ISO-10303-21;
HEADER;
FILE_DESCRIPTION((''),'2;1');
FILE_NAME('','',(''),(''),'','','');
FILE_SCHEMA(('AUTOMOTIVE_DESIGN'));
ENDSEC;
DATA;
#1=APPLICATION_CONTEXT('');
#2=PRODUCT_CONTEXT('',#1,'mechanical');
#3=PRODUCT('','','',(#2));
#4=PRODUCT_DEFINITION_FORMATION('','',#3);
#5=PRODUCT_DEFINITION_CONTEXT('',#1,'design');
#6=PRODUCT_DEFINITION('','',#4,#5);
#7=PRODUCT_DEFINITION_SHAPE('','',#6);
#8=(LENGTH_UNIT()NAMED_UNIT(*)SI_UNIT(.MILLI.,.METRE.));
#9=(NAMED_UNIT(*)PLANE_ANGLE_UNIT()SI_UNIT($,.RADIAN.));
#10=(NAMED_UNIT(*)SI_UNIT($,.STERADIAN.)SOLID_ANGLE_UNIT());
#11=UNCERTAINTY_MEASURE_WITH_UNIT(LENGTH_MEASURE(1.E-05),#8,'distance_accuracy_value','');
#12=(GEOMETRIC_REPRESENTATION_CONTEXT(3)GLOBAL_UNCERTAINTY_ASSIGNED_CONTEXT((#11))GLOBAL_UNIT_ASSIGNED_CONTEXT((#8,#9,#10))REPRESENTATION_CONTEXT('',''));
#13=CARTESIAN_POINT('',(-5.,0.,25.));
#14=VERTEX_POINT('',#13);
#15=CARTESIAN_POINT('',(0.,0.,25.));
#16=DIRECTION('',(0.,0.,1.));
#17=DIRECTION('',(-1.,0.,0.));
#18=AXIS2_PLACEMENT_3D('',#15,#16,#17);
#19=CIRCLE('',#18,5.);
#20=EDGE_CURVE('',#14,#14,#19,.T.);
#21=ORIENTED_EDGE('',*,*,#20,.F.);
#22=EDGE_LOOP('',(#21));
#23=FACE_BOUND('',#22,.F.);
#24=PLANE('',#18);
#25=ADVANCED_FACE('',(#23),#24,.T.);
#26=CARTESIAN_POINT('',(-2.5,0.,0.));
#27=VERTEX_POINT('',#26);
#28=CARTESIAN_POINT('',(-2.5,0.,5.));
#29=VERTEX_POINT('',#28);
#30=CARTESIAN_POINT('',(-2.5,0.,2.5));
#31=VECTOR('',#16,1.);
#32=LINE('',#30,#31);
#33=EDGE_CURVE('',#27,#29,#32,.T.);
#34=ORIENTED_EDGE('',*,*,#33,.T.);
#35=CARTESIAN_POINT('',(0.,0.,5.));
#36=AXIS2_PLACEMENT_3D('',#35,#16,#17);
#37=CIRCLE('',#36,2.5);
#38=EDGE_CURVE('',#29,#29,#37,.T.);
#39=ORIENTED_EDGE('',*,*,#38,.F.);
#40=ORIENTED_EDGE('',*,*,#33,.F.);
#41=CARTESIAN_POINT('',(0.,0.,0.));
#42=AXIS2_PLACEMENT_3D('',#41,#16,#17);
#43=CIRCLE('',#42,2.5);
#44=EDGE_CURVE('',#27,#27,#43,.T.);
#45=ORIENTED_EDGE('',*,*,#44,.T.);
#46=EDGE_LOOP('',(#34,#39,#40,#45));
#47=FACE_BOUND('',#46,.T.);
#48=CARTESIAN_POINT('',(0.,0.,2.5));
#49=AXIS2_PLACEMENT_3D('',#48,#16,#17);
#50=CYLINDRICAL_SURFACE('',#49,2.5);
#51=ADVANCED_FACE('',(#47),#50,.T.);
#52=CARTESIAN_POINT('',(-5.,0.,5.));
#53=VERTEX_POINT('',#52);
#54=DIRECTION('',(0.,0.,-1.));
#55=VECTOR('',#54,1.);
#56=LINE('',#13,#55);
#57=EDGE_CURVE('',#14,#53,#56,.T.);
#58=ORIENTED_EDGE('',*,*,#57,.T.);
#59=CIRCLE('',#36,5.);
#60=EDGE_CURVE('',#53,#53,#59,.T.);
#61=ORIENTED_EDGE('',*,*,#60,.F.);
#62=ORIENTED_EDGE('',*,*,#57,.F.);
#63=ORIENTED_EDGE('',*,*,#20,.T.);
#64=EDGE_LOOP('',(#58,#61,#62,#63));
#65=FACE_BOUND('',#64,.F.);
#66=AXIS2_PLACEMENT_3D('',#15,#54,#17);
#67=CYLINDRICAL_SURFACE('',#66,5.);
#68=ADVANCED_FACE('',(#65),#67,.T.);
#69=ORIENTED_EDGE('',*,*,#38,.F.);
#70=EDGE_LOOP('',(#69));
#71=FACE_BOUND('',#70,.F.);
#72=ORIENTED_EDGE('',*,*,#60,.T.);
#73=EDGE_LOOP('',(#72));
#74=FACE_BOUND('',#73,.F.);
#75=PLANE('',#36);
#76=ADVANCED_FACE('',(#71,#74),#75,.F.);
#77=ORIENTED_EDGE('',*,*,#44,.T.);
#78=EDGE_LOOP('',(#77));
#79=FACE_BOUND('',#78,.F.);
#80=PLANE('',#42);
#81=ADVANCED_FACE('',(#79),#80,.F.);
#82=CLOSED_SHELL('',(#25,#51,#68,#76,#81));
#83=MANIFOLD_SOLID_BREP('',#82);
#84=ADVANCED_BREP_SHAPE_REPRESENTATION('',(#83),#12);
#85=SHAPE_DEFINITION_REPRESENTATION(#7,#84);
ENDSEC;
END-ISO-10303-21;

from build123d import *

# Parameters (mm, degrees)
F0_W = 2.5
F0_H = 5


with BuildPart() as f1:
    # F0 (on Front) → F1 (revolve)
    with BuildSketch(Plane.XZ):
        Polygon((-2.5, 5), (0, 5), (0, 25), (-5, 25), (-5, 5), align=None)
        with Locations((-1.25, 2.5)):
            Rectangle(F0_W, F0_H)
    revolve(axis=Axis((0, 0, 15), (0, 0, 1)))


solid = f1.part
